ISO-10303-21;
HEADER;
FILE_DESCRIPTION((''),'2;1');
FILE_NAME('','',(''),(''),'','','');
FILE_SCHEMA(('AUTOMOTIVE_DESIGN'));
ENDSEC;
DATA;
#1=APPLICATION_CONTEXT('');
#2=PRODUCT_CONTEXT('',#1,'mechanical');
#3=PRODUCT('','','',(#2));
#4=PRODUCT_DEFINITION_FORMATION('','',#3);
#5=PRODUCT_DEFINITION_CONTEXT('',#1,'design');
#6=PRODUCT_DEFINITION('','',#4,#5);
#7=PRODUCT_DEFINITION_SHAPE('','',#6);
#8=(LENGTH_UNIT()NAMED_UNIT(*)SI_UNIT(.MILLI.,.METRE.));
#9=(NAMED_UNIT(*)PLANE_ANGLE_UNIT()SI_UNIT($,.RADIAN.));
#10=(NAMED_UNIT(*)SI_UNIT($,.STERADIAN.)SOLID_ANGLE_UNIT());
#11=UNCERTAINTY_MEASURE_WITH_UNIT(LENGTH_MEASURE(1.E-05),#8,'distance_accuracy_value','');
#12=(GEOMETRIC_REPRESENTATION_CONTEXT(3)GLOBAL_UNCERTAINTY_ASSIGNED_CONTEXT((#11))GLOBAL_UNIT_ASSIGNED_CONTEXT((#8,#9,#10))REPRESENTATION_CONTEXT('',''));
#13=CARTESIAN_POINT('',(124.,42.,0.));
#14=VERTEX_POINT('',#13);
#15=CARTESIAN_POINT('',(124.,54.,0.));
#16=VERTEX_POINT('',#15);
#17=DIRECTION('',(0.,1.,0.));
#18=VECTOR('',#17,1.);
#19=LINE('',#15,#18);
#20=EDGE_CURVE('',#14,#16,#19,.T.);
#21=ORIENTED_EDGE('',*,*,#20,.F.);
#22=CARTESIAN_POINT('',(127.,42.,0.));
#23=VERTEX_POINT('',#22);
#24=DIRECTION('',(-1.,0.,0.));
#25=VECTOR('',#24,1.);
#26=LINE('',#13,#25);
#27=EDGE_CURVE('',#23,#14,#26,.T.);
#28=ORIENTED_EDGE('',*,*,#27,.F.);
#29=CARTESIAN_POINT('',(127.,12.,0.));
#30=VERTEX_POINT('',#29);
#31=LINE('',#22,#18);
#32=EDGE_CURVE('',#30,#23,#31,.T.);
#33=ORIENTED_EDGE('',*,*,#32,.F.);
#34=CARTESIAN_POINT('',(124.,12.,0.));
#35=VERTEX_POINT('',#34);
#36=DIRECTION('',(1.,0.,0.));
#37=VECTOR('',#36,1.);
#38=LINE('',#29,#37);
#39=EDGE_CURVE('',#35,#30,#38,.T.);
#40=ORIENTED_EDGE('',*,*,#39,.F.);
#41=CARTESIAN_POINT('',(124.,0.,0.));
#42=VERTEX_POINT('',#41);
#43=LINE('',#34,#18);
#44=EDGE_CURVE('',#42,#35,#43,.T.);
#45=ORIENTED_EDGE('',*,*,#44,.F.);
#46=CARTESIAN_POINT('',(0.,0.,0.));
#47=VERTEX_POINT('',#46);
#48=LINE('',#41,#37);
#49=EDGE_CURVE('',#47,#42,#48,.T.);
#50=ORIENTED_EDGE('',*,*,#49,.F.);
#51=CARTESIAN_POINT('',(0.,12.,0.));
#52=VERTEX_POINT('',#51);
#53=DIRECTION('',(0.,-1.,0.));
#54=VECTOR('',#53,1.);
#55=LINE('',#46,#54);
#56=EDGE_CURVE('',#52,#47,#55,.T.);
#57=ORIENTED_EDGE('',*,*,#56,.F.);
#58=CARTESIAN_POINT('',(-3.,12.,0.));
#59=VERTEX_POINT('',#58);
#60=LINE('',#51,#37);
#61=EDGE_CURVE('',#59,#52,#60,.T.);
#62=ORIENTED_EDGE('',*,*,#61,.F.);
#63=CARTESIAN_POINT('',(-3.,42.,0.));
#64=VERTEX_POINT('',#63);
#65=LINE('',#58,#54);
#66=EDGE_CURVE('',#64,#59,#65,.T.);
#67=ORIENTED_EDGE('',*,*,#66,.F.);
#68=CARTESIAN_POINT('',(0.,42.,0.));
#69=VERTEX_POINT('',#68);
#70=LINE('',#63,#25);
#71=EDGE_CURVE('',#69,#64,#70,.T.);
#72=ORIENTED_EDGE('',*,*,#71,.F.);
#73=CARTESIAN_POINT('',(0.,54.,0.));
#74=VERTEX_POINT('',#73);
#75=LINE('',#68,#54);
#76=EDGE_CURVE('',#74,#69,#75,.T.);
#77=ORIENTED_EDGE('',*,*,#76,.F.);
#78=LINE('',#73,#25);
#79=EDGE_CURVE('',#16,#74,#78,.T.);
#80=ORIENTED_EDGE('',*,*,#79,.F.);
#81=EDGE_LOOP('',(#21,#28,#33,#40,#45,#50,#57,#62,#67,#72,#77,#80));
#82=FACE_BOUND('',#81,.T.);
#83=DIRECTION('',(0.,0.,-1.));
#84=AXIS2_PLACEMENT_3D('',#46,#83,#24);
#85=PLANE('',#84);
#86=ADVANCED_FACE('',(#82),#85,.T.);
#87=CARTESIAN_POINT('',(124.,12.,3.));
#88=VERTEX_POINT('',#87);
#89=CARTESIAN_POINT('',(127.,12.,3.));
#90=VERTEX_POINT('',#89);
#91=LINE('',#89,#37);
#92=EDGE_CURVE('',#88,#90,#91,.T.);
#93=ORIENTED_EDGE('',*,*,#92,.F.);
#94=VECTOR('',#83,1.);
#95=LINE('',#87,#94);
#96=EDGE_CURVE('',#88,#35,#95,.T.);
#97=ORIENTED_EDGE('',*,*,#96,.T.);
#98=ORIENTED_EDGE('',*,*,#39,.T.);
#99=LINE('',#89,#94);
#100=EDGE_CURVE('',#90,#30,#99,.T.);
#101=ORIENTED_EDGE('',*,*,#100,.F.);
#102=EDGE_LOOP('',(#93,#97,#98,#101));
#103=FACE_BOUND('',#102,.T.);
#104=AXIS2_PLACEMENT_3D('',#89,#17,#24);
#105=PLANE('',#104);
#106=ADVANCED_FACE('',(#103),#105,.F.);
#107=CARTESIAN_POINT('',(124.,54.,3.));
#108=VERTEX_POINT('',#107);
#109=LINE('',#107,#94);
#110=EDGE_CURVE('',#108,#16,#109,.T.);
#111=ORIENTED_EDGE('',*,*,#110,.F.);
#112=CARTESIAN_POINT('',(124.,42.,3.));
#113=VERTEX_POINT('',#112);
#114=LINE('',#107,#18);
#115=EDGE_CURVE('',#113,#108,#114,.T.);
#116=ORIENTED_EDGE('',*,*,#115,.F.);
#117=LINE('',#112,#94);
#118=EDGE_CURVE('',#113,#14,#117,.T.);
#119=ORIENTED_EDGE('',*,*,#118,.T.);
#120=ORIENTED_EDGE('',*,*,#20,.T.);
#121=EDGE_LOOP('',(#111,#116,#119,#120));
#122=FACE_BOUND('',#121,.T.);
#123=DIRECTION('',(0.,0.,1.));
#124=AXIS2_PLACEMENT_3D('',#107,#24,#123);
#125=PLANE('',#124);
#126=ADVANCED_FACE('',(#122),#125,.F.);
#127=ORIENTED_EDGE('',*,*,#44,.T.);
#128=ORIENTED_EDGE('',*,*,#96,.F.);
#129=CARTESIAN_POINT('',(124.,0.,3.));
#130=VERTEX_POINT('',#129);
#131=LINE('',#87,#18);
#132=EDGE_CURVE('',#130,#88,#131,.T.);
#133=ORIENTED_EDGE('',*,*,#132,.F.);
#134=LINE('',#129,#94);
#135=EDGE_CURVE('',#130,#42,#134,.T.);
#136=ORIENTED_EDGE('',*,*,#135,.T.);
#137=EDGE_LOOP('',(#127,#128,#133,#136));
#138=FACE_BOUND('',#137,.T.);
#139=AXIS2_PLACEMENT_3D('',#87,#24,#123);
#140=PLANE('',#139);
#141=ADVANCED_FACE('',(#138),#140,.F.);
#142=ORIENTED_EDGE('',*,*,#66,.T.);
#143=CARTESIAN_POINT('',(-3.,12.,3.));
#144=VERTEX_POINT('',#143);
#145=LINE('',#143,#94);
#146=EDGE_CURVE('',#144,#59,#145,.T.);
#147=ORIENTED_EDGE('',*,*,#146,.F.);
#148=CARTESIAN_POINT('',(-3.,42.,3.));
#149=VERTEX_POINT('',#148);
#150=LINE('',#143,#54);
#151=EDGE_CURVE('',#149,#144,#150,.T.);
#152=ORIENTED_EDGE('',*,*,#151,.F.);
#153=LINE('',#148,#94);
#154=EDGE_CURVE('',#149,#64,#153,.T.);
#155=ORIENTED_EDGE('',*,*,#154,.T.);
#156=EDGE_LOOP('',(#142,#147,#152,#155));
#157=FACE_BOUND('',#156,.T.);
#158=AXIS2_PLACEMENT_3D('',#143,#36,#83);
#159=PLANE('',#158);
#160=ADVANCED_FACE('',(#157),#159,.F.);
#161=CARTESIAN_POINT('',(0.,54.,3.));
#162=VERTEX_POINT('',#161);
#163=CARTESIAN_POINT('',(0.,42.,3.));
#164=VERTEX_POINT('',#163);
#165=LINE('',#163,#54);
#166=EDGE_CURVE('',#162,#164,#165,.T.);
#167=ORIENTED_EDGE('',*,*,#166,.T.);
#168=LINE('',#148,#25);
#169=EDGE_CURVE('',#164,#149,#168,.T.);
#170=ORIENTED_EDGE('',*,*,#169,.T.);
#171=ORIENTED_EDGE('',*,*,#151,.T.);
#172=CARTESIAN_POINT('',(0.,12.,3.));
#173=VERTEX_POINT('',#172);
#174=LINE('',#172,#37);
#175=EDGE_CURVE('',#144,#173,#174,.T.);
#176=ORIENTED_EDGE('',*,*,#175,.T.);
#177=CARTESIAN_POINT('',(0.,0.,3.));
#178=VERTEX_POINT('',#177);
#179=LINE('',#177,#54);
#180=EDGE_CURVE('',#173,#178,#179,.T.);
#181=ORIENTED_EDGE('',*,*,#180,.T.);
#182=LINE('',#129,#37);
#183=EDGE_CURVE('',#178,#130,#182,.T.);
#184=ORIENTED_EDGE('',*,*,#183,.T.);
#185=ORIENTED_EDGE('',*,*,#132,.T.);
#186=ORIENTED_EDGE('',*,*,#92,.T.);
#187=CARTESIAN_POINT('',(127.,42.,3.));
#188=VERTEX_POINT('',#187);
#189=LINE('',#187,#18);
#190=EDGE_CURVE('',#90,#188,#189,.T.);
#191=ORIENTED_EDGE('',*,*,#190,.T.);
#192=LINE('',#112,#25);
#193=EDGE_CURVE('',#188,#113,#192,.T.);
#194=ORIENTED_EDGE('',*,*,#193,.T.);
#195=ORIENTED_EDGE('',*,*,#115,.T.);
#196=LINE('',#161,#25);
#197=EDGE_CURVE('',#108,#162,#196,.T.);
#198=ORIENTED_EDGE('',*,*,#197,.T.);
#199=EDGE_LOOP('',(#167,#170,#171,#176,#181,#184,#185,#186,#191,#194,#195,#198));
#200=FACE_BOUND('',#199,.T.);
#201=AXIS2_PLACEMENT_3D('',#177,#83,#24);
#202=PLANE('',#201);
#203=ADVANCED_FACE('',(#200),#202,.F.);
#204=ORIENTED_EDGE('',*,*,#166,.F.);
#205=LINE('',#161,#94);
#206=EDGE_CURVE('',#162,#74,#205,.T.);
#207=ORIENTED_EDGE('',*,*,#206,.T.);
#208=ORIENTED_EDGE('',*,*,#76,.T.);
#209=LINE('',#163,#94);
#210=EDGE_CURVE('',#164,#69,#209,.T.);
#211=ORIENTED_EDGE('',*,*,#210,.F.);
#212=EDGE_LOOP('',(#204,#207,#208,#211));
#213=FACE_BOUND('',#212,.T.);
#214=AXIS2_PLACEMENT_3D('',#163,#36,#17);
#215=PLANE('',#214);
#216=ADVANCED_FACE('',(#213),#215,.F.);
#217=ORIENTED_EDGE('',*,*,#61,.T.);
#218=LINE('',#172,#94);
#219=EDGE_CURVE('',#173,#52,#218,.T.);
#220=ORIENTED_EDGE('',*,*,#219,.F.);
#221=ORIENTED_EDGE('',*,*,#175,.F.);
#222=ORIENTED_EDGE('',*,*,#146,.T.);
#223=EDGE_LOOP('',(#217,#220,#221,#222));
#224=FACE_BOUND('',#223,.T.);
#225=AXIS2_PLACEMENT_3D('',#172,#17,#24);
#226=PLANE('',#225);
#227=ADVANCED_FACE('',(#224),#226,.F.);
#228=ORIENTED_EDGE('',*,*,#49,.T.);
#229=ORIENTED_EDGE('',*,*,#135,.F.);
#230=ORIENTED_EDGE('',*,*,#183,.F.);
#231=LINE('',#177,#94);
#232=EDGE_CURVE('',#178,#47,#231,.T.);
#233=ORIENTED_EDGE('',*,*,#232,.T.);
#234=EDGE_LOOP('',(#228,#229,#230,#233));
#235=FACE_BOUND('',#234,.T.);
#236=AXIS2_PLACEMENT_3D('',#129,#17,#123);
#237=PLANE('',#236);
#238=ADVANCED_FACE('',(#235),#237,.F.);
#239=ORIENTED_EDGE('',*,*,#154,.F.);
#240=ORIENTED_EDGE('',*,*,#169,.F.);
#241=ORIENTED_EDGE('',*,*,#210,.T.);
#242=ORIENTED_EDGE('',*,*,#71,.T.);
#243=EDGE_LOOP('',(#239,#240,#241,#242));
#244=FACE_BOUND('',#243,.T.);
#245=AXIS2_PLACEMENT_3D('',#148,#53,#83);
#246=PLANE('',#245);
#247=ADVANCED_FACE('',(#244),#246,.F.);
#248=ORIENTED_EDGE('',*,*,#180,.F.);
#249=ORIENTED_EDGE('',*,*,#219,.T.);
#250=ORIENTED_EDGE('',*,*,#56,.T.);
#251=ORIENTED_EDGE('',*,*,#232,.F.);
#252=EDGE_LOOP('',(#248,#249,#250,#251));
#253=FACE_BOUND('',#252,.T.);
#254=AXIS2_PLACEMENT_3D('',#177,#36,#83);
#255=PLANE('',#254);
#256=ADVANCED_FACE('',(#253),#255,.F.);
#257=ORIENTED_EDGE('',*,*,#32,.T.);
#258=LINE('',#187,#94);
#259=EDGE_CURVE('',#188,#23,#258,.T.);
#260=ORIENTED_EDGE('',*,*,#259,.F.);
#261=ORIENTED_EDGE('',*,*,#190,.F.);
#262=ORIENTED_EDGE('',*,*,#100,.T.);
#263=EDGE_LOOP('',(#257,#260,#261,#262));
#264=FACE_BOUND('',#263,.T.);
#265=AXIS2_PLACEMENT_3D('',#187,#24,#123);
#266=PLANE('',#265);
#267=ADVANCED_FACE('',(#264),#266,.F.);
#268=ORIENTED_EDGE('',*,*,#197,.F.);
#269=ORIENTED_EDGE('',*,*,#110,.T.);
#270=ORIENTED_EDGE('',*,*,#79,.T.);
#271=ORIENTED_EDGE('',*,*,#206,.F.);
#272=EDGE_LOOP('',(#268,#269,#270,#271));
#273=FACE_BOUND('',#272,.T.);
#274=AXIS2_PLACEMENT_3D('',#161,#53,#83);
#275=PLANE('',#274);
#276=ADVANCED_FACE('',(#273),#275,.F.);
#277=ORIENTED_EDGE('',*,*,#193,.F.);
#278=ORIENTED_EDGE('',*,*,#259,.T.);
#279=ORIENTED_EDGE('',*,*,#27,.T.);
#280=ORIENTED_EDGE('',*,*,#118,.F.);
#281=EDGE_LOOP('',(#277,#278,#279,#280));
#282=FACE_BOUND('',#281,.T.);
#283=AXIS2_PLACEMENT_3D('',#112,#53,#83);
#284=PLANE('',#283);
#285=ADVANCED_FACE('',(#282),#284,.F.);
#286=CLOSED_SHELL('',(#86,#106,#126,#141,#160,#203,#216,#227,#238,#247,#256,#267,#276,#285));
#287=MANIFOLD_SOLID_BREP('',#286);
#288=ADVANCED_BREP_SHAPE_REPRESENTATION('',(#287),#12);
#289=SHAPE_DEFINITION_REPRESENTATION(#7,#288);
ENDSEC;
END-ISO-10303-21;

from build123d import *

# Parameters (mm, degrees)
BOSS_EXTRUDE1_DEPTH = 3


with BuildPart() as part:
    # Sketch1 → Boss-Extrude1 (new body)
    with BuildSketch(Plane.XY):
        Polygon((0, 0), (0, 12), (-3, 12), (-3, 42), (0, 42), (0, 54), (124, 54), (124, 42), (127, 42), (127, 12), (124, 12), (124, 0), align=None)
    extrude(amount=BOSS_EXTRUDE1_DEPTH)


solid = part.part
